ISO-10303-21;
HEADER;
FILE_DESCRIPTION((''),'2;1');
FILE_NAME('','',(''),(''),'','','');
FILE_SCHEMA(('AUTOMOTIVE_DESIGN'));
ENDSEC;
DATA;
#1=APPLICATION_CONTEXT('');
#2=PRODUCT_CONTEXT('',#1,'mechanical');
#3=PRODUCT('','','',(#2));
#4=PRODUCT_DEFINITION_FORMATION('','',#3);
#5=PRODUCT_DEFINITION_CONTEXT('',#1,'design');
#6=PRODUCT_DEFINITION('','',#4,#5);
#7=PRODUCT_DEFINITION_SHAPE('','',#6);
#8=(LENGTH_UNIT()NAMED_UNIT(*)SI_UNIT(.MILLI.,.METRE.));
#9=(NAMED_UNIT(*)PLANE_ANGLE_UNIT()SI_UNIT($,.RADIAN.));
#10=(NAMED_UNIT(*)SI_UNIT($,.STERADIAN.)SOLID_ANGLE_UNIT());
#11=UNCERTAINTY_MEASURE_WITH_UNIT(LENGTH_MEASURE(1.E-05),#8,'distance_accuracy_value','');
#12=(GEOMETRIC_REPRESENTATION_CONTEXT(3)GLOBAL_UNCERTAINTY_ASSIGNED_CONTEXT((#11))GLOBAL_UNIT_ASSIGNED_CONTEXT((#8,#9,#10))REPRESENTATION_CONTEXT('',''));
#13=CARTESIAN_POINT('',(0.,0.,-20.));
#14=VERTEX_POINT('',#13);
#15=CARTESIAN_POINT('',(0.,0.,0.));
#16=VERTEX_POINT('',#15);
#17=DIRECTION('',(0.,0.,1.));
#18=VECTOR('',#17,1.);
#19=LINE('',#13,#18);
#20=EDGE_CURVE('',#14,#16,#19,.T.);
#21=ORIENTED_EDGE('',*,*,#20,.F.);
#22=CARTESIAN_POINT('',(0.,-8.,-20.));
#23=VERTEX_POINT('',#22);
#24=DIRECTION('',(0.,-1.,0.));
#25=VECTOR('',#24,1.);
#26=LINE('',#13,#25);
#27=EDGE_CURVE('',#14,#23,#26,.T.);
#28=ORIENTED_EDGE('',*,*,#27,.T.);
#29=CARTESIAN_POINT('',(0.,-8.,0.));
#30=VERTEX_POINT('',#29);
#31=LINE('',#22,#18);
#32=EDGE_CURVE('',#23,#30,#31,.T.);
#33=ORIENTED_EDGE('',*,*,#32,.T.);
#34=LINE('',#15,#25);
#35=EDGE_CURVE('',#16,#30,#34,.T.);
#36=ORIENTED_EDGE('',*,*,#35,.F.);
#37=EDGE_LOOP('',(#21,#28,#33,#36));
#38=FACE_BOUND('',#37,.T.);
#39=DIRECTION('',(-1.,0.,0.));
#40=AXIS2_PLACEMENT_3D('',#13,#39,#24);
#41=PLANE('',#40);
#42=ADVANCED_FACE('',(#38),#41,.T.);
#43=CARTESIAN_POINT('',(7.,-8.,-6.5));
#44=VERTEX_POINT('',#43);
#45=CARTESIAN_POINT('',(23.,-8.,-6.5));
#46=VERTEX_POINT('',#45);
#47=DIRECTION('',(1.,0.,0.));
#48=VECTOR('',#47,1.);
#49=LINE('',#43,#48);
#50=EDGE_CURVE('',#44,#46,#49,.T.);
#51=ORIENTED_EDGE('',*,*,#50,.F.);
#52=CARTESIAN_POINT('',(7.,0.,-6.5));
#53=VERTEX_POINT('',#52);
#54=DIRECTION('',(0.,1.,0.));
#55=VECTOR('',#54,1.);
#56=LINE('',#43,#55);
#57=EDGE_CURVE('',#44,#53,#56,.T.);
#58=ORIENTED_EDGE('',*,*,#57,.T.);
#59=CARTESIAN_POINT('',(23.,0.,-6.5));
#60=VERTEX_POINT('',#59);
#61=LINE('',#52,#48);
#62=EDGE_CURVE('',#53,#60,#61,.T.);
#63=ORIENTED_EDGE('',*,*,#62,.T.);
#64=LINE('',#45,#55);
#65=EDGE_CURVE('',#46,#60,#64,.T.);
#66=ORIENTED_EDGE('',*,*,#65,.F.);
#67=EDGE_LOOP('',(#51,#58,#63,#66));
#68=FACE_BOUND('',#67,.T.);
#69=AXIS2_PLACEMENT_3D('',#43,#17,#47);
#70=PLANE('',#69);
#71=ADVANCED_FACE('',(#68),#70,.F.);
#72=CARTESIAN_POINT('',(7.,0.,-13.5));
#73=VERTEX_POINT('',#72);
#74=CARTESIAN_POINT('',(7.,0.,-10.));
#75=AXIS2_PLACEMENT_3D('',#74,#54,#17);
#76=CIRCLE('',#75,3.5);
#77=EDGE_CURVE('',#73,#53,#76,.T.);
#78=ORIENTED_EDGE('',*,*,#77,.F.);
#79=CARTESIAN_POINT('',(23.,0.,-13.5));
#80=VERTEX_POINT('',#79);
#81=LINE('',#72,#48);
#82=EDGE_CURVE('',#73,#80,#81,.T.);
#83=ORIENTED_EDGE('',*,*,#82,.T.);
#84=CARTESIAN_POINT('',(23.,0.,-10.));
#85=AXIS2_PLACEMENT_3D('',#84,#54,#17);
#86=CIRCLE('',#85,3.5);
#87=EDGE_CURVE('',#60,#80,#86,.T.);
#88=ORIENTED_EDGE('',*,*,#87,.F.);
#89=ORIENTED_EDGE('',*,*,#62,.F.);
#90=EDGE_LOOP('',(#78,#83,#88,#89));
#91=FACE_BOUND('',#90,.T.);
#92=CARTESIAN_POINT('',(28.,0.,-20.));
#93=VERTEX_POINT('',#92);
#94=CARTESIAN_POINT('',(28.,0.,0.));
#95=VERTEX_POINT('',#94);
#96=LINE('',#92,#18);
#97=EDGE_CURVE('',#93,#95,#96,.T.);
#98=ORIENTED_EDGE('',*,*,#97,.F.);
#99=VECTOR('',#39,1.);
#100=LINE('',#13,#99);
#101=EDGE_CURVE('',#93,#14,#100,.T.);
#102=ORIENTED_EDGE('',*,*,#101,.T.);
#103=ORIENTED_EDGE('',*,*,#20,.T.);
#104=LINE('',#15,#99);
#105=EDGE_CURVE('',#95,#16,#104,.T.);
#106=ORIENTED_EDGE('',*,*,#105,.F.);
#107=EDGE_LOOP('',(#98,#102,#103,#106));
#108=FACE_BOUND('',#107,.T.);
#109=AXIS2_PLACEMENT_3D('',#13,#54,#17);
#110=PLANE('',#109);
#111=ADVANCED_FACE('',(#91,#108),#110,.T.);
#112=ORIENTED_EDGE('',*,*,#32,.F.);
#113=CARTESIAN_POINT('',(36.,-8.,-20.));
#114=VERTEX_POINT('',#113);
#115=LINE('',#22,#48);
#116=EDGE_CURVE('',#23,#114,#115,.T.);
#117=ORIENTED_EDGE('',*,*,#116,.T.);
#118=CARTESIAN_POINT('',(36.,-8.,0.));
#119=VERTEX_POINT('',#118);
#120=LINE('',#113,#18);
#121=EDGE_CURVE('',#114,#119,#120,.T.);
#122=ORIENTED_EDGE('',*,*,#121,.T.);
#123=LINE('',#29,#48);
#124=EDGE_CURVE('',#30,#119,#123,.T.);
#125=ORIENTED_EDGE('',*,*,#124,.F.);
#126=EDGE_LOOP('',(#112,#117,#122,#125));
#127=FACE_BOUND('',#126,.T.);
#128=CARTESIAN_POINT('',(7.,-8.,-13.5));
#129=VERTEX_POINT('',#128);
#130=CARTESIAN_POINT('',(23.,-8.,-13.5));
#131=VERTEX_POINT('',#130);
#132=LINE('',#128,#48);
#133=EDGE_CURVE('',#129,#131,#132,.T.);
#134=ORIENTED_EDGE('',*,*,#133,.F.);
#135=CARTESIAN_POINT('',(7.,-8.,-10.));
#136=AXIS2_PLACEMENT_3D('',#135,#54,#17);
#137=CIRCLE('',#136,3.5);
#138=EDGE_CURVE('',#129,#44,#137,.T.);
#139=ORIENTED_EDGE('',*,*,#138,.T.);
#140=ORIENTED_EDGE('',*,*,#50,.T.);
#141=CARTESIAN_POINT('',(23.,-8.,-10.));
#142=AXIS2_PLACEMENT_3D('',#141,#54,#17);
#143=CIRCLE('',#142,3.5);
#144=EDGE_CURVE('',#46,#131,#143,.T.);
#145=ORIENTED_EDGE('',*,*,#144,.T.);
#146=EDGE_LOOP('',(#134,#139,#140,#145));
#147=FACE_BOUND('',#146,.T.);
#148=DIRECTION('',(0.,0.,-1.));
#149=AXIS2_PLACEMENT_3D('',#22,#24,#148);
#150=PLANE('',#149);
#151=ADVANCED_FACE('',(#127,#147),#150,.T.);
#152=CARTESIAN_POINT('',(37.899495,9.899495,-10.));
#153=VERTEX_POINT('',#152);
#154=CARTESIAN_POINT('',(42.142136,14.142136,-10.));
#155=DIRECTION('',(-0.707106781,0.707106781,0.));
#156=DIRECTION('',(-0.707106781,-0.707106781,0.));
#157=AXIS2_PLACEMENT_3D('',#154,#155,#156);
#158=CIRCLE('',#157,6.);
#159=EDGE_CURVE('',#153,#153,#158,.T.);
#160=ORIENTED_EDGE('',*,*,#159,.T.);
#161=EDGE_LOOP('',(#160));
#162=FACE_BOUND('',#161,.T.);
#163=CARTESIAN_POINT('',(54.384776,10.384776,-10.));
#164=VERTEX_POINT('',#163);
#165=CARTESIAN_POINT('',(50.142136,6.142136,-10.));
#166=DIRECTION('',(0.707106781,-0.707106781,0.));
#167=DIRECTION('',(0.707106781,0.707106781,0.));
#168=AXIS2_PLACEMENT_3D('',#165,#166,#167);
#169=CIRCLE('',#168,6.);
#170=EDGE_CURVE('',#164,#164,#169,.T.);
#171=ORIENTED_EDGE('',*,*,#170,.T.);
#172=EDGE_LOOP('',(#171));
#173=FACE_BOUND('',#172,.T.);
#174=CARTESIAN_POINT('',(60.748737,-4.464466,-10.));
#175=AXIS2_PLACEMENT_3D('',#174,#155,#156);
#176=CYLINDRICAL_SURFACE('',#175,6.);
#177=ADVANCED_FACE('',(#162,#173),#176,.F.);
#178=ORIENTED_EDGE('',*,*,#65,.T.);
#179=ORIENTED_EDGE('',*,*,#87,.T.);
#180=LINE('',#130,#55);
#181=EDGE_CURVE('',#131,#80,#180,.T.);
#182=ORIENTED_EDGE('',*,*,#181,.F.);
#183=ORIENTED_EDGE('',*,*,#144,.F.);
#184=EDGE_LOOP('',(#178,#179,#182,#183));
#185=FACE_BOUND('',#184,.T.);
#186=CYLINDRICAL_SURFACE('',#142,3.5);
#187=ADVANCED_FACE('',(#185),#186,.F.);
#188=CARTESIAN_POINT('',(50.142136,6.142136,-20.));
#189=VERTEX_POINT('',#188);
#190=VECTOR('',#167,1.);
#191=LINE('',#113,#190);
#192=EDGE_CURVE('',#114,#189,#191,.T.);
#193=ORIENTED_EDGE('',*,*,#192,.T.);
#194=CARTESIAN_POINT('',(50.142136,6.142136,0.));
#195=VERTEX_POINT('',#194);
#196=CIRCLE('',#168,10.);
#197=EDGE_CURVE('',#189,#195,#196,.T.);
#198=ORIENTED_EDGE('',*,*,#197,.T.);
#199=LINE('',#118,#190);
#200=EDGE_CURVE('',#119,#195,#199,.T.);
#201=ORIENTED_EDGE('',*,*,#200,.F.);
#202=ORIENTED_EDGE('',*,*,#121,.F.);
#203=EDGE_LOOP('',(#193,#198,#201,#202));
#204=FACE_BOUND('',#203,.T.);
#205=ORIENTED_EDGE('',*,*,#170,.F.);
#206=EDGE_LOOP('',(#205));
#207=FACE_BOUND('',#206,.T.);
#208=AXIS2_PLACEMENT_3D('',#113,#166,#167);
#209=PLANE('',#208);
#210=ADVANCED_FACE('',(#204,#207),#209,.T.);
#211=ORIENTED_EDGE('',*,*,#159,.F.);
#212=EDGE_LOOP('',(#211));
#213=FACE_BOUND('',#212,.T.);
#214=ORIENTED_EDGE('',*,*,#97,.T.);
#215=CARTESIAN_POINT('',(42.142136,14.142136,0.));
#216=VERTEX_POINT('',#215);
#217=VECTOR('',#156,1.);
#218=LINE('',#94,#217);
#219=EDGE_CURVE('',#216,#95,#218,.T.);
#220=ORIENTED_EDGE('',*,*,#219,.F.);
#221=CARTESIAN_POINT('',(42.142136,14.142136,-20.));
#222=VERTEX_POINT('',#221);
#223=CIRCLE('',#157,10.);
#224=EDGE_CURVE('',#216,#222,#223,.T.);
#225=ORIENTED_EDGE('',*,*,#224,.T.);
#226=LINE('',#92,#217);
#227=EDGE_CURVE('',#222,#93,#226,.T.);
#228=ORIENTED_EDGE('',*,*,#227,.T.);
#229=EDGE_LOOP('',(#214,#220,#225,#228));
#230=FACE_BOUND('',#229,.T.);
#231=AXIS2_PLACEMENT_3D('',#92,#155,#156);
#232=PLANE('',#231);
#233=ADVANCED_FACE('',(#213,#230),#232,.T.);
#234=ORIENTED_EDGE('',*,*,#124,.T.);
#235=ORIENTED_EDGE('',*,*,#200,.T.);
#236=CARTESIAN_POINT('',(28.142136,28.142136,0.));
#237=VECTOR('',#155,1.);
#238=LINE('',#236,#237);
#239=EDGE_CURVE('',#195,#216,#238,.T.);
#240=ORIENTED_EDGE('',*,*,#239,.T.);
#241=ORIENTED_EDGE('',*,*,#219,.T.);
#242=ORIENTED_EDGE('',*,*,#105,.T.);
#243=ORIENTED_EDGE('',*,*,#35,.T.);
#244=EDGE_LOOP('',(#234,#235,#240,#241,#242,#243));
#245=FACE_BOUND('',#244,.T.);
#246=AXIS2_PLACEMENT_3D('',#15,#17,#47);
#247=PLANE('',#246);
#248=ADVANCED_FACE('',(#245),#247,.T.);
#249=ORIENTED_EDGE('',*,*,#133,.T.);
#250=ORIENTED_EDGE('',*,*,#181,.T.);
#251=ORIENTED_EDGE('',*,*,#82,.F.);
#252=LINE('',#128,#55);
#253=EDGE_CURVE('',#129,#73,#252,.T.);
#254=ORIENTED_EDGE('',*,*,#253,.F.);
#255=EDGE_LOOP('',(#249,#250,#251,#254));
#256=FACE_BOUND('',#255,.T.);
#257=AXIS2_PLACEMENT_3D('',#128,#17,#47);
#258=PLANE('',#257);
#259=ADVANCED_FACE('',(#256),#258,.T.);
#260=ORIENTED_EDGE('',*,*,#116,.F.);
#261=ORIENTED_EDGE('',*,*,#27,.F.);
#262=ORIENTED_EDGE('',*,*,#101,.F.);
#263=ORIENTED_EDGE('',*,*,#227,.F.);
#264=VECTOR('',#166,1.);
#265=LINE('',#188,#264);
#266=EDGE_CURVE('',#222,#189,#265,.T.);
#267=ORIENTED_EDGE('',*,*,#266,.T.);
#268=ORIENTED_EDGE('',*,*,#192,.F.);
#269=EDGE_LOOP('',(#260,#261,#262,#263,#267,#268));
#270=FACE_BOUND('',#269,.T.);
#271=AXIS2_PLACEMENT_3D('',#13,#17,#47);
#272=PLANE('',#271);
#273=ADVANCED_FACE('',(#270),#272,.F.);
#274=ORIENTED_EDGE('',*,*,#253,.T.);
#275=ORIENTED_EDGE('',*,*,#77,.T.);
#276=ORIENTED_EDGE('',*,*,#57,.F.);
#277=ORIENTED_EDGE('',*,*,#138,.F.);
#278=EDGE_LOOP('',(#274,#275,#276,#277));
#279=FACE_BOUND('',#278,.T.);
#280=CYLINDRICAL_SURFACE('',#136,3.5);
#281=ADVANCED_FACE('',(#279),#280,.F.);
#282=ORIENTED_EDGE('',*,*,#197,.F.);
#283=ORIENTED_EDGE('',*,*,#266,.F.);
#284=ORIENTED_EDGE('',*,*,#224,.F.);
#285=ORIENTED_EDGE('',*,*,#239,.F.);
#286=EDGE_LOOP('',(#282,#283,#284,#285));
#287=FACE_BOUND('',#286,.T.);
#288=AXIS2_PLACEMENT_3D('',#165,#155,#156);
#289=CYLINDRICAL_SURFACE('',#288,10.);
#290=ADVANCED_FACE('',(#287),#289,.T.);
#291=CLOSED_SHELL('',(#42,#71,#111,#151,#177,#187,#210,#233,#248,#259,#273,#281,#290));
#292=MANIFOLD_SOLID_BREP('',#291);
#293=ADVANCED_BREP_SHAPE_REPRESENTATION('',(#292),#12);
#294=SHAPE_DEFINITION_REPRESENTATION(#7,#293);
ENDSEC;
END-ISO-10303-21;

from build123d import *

# Parameters (mm, degrees)
EXTRUDE_1_DEPTH     = 20
FILLET_1_RADIUS     = 10
FILLET_1_LENGTH     = 11.313708499
SKETCH_4_R          = 6
CUT_EXTRUDE_1_DEPTH = 60.222889557
CUT_EXTRUDE_2_DEPTH = 65.213321417


with BuildPart() as part:
    # 草图1 → 凸台-拉伸1 (new body)
    with BuildSketch(Plane.XY):
        Polygon((0, 0), (28, 0), (49.213203436, 21.213203436), (57.213203436, 13.213203436), (36, -8), (0, -8), align=None)
    extrude(amount=-EXTRUDE_1_DEPTH)

    # 圆角1: full round fillet: the end face becomes a half cylinder, R = half its width
    fillet_1_face = Plane((53.213203436, 17.213203436, -10), x_dir=(-0.707106781187, 0.707106781187, 0), z_dir=(0.707106781187, 0.707106781187, 0))  # on the end face: x along it, z out of the body
    fillet_1_slab = fillet_1_face.offset(-FILLET_1_RADIUS / 2) * Box(FILLET_1_LENGTH, 2 * FILLET_1_RADIUS, FILLET_1_RADIUS, mode=Mode.PRIVATE)  # the body's end, R deep
    fillet_1_round = Plane((46.142135624, 10.142135624, -10), x_dir=(0.707106781187, 0.707106781187, 0), z_dir=(-0.707106781187, 0.707106781187, 0)) * Cylinder(FILLET_1_RADIUS, FILLET_1_LENGTH, mode=Mode.PRIVATE)  # its axis R under the face
    add(fillet_1_slab - fillet_1_round, mode=Mode.SUBTRACT)

    # 草图4 → 切除-拉伸1 (cut, through all)
    with BuildSketch(Plane(origin=(14, -14, 0), x_dir=(0, 0, 1), z_dir=(-0.7071067811865488, 0.7071067811865462, 0))):
        with Locations(Location((-10, 39.798989873, 0), (0, 0, 270))):
            Circle(SKETCH_4_R)
    extrude(amount=-CUT_EXTRUDE_1_DEPTH, mode=Mode.SUBTRACT)

    # 草图2 → 切除-拉伸2 (cut, through all)
    with BuildSketch(Plane(origin=(0, 0, 0), x_dir=(1, 0, 0), z_dir=(0, 1, 0))):
        with BuildLine():
            Line((7, 6.5), (23, 6.5))
            ThreePointArc((23, 6.5), (26.5, 10), (23, 13.5))
            Line((23, 13.5), (7, 13.5))
            ThreePointArc((7, 13.5), (3.5, 10), (7, 6.5))
        make_face()
    extrude(amount=-CUT_EXTRUDE_2_DEPTH, mode=Mode.SUBTRACT)


solid = part.part
